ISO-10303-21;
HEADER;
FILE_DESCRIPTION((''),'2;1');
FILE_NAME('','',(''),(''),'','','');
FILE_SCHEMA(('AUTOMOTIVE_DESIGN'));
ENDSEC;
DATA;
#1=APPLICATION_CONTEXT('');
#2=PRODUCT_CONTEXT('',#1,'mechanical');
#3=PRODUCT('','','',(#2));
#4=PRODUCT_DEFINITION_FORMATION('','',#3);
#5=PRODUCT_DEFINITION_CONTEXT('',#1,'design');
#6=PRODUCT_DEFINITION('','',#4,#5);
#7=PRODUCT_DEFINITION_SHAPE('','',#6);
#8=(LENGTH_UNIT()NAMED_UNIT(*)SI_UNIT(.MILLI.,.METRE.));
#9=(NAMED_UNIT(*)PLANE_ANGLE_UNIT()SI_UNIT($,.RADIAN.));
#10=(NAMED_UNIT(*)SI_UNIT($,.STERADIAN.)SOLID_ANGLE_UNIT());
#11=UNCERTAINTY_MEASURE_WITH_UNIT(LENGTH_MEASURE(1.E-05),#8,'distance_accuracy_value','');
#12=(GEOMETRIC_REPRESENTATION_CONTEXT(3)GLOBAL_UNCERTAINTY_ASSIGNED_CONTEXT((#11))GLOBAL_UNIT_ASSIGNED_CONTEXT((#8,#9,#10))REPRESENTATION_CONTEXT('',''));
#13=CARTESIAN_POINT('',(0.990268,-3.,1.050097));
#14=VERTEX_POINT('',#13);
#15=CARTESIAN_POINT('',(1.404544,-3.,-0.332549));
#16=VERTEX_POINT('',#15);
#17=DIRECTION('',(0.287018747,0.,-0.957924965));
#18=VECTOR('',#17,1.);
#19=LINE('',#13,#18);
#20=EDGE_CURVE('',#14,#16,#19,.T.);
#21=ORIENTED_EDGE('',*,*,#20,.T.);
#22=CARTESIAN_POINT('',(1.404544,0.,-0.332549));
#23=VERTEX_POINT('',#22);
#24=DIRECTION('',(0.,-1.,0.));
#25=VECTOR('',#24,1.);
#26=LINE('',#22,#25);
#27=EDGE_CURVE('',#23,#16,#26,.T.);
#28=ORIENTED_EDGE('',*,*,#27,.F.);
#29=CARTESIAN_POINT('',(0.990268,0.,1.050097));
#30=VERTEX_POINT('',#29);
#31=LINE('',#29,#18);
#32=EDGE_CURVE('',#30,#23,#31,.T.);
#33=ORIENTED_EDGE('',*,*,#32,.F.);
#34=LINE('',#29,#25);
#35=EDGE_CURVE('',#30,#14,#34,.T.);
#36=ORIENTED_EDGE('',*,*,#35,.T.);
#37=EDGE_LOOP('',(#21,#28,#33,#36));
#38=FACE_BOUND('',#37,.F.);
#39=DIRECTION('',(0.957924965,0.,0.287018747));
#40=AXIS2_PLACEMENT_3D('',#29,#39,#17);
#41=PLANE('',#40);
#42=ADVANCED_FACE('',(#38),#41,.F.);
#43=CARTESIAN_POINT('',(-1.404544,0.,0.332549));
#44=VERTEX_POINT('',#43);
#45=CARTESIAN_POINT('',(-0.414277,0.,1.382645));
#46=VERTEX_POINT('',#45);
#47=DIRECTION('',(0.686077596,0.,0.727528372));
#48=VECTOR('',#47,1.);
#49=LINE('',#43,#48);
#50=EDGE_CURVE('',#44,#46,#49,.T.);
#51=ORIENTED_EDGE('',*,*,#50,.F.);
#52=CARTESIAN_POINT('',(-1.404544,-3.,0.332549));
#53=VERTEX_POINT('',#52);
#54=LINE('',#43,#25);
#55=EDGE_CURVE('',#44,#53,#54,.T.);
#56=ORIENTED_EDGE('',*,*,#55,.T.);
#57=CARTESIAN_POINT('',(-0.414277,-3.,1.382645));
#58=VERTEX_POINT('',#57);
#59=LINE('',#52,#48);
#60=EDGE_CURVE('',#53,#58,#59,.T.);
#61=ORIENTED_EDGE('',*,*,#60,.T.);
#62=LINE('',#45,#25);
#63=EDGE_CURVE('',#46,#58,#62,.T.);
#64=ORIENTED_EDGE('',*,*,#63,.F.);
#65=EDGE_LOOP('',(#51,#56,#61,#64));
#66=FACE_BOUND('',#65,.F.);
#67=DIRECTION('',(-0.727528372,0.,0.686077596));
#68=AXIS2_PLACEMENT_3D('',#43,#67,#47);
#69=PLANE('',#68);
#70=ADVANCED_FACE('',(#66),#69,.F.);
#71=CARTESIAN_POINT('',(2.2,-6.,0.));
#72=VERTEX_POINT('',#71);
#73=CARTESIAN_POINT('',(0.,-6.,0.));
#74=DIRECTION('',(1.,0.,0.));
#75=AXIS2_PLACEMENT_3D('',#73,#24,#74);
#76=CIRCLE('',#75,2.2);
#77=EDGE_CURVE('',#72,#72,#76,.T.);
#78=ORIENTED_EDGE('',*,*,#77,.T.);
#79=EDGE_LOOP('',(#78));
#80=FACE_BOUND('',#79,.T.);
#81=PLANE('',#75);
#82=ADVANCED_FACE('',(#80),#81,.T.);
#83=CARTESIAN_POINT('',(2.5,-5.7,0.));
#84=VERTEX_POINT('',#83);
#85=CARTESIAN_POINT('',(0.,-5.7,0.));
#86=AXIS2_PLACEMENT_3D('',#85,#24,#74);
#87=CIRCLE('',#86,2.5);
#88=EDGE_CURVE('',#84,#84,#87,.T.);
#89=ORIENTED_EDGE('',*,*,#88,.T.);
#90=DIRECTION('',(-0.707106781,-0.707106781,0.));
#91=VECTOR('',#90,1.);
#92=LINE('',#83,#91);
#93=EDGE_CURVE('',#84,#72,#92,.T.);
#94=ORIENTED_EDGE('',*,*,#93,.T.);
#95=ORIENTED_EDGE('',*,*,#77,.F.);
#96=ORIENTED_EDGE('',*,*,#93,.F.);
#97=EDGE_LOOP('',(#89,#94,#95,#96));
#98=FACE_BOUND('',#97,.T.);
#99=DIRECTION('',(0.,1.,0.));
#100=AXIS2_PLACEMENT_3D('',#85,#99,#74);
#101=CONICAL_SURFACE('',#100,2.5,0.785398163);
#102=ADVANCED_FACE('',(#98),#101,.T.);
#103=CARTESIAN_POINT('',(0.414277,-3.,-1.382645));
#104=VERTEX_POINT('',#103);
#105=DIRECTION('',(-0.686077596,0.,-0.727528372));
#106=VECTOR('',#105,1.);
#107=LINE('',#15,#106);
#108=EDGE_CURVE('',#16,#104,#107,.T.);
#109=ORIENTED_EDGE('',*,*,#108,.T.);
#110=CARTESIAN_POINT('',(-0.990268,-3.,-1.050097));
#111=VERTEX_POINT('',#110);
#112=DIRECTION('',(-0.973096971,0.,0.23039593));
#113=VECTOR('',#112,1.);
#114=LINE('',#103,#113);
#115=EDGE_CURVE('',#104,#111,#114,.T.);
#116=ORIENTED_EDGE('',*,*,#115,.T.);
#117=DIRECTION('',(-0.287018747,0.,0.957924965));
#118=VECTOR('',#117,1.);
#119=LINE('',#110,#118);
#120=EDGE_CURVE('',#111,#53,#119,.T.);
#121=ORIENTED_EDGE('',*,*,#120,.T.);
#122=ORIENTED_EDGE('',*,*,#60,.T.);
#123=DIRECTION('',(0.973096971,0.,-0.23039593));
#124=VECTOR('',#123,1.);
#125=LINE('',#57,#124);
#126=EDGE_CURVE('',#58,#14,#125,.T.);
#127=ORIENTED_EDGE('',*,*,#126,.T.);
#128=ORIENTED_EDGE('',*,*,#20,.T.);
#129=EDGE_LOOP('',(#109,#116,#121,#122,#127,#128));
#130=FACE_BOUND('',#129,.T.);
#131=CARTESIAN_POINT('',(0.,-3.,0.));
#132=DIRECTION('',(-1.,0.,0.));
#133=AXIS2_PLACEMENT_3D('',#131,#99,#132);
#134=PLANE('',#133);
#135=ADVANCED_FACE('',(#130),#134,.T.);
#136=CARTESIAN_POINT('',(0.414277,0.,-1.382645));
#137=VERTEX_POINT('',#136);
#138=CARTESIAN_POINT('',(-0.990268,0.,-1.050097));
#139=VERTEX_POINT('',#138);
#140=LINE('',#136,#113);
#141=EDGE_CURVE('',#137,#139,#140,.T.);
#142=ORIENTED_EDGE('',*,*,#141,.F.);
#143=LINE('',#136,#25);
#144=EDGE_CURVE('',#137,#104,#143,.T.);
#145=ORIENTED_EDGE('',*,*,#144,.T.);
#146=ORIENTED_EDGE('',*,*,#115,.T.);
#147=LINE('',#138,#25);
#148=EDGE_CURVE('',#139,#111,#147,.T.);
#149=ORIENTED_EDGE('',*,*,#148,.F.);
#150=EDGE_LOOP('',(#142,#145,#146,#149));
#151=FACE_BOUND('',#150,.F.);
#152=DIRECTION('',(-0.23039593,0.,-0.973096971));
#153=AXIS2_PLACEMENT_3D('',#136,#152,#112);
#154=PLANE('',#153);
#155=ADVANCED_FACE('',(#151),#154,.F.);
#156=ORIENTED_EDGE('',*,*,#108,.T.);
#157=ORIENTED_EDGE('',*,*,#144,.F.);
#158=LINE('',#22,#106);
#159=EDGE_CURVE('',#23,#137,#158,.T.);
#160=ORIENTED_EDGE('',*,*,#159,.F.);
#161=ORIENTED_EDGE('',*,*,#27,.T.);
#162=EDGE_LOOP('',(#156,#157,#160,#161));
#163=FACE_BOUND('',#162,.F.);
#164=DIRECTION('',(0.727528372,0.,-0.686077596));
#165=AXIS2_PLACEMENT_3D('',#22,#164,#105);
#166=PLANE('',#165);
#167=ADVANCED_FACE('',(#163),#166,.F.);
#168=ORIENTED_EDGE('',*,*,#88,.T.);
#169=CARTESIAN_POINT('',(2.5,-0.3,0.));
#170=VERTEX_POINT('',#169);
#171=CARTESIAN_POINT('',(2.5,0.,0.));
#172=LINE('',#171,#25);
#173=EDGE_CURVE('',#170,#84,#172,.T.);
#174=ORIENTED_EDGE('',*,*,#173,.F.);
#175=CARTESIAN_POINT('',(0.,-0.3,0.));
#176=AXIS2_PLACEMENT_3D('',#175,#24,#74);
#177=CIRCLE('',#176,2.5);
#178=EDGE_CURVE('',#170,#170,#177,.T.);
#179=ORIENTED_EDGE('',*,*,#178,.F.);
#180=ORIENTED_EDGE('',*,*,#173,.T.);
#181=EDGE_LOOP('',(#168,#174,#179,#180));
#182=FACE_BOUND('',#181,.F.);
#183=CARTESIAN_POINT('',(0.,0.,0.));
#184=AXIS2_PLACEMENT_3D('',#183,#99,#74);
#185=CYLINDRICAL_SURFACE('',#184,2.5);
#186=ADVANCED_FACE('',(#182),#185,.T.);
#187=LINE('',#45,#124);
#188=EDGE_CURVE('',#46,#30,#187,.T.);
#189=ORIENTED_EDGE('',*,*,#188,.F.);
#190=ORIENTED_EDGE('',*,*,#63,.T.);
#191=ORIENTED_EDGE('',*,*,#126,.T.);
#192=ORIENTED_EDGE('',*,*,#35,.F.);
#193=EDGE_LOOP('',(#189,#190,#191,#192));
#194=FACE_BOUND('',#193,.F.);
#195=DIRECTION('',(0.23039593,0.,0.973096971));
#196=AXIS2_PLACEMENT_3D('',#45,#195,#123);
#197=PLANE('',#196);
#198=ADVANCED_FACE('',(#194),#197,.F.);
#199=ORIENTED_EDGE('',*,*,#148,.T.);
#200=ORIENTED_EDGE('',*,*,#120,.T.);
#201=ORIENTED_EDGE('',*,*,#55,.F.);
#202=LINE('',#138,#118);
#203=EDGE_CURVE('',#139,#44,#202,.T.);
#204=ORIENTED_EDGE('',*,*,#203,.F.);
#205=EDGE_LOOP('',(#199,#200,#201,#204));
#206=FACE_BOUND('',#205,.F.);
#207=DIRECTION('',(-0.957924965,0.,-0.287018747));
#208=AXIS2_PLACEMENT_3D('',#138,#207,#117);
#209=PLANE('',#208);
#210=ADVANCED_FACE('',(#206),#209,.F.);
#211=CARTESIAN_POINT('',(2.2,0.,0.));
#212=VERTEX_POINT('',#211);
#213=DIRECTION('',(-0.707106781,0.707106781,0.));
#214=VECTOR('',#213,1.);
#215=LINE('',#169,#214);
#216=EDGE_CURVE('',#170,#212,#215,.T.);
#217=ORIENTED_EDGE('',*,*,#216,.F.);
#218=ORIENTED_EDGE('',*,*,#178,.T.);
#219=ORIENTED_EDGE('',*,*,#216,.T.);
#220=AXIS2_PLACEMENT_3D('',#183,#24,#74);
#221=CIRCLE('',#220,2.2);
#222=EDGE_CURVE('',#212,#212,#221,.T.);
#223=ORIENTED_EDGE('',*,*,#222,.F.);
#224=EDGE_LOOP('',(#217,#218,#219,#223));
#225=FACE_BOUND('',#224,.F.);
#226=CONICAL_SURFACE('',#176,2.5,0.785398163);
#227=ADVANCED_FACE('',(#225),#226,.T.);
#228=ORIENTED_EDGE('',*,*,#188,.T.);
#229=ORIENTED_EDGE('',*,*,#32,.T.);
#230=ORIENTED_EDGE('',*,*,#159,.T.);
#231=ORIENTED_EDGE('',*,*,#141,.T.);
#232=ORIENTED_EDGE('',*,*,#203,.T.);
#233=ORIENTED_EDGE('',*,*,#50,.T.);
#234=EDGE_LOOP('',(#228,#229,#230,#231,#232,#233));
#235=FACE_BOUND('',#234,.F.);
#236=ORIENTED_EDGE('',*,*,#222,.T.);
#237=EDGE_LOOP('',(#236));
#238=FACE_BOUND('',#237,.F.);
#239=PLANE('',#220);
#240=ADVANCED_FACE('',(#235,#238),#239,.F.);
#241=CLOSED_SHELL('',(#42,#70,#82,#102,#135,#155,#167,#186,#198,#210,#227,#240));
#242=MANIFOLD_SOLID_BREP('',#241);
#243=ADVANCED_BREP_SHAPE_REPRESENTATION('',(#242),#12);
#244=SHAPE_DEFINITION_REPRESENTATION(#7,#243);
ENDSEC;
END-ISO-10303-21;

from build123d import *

# Parameters (mm, degrees)
F0_R     = 2.5
F1_DEPTH = 6
F2_SIZE  = 0.3
F4_DEPTH = 3


with BuildPart() as f1:
    # F0 (on Front) → F1 (new body)
    with BuildSketch(Plane.XZ):
        Circle(F0_R)
    extrude(amount=F1_DEPTH)

    # F2
    f2_edges = [f1.edges().sort_by_distance(p)[0] for p in [
        (-2.5, -6, 0),
        (-2.5, 0, 0),
    ]]
    chamfer(f2_edges, length=F2_SIZE)

    # F3 (on face) → F4 (cut)
    with BuildSketch(Plane(origin=(0, 0, 0), x_dir=(-1, 0, 0), z_dir=(0, 1, 0))):
        Polygon((0.414277, 1.382645), (-0.990268, 1.050097), (-1.404544, -0.332549), (-0.414277, -1.382645), (0.990268, -1.050097), (1.404544, 0.332549), align=None)
    extrude(amount=-F4_DEPTH, mode=Mode.SUBTRACT)


solid = f1.part
